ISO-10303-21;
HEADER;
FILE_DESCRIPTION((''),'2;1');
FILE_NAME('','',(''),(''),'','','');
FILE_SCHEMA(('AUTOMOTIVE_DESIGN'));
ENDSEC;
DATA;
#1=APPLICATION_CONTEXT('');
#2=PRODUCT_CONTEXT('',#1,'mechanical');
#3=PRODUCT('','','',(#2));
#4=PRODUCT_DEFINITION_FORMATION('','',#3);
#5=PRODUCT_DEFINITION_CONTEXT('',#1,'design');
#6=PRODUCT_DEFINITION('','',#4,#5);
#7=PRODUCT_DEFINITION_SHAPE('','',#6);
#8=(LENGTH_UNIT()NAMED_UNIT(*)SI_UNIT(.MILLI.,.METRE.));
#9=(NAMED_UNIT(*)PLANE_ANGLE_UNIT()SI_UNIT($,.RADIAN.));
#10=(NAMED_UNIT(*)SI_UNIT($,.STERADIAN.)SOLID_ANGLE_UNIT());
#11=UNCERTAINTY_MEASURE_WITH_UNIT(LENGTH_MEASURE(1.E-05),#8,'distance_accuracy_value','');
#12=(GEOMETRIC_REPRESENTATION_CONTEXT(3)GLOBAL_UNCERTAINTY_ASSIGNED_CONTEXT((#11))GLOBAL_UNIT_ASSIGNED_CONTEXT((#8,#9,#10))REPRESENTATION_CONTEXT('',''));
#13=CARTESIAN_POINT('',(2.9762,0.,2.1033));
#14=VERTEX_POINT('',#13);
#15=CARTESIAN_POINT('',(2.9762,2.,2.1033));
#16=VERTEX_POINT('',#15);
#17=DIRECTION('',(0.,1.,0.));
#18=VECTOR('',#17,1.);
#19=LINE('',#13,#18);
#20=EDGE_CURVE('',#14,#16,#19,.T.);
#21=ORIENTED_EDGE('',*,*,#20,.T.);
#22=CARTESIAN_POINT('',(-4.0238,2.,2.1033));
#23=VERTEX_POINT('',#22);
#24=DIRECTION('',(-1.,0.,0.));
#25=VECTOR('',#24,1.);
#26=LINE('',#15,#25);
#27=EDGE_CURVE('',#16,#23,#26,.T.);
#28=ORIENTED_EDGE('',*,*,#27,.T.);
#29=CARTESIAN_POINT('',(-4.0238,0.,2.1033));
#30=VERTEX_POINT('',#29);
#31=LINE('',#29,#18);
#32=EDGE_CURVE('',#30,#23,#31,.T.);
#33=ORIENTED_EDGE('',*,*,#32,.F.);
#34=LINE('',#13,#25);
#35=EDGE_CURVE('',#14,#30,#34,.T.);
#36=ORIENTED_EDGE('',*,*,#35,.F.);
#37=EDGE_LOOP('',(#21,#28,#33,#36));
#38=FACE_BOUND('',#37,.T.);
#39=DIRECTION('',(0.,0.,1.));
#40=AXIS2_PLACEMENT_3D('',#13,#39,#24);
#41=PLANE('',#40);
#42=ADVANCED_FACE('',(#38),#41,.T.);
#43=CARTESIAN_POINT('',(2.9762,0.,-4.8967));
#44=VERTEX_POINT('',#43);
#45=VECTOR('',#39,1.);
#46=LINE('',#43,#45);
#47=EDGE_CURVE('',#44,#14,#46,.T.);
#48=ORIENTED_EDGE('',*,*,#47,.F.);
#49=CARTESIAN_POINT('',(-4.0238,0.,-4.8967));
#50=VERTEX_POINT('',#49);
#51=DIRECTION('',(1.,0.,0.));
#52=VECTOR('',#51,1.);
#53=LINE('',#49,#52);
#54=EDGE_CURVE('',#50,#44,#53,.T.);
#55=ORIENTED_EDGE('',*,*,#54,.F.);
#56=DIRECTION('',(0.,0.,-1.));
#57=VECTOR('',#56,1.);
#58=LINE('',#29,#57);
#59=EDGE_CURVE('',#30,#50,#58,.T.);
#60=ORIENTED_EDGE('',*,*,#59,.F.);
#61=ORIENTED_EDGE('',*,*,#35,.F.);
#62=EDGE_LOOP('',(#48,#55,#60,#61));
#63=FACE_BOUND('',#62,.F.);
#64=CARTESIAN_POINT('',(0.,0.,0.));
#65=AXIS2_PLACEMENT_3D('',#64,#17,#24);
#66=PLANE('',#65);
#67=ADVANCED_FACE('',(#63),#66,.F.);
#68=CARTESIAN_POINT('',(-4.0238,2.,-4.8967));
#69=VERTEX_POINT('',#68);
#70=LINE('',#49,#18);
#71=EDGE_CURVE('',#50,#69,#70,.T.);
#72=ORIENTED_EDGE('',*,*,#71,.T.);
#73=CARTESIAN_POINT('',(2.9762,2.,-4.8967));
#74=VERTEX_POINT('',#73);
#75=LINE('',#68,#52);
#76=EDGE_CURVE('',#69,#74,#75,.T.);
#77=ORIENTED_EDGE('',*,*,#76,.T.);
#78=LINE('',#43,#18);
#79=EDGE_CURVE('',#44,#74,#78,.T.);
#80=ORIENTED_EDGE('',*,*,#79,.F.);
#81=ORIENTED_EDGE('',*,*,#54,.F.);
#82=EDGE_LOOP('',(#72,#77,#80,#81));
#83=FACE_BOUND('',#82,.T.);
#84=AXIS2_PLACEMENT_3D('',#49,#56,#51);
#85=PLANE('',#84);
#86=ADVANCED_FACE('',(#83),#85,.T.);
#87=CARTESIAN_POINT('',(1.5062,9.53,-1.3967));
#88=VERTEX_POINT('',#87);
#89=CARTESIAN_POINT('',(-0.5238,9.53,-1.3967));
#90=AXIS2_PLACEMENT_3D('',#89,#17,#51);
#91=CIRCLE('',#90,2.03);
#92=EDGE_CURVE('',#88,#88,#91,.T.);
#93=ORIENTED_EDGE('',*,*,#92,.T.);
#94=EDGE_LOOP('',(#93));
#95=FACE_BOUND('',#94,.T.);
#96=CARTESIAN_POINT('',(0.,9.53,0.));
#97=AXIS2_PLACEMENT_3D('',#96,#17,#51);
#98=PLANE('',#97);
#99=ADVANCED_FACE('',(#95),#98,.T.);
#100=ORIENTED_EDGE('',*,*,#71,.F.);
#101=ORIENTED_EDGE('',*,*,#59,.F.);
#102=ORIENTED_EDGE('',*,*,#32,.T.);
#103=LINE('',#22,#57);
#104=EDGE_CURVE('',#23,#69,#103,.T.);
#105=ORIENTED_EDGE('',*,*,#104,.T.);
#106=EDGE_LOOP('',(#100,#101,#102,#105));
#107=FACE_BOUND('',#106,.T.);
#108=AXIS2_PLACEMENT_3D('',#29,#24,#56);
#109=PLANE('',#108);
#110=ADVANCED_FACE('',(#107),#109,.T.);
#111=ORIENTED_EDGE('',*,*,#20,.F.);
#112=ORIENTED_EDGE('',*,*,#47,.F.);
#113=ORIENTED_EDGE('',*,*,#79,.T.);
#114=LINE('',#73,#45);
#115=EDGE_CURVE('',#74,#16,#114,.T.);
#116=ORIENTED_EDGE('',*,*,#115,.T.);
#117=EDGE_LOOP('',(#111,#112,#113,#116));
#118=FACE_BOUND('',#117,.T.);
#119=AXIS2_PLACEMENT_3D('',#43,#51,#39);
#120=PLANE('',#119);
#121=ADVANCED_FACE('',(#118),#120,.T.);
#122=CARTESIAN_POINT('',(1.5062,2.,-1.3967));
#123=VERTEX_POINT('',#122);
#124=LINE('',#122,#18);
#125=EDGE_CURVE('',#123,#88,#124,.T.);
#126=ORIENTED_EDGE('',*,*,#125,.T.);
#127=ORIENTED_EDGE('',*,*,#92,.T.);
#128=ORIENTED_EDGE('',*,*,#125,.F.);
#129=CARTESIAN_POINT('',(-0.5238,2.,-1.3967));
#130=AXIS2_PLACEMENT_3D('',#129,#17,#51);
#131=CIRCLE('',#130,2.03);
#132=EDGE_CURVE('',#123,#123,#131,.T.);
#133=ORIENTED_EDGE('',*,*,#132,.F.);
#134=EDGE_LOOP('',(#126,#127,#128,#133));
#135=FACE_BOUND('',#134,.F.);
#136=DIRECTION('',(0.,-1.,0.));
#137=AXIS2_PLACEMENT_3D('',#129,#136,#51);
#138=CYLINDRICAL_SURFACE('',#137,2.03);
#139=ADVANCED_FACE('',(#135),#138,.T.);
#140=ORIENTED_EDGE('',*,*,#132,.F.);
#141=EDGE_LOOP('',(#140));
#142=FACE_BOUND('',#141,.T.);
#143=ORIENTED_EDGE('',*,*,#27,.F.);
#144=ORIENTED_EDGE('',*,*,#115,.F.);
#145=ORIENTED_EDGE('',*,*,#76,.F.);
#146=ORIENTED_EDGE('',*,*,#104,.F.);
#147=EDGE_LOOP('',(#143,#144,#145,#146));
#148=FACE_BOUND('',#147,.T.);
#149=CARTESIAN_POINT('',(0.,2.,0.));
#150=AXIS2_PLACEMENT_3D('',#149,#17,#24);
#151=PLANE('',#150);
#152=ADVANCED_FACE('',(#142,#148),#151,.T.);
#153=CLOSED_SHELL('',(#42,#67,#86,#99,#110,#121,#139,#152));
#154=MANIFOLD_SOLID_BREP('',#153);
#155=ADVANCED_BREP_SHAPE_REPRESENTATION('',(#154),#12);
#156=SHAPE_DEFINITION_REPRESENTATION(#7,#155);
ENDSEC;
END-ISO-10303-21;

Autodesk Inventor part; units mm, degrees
ref_plane "YZ Plane" through (0, 0, 0) normal (1, 0, 0) x (0, 1, 0)
ref_plane "XZ Plane" through (0, 0, 0) normal (0, 1, 0) x (-1, 0, 0)
ref_plane "XY Plane" through (0, 0, 0) normal (0, 0, 1) x (1, 0, 0)
sketch "Sketch1" plane through (0, 0, 0) normal (0, 1, 0) x (-1, 0, 0)
  line L0 (-2.9762, 2.1033) -> (4.0238, 2.1033)
  line L1 (4.0238, 2.1033) -> (4.0238, -4.8967)
  line L2 (4.0238, -4.8967) -> (-2.9762, -4.8967)
  line L3 (-2.9762, -4.8967) -> (-2.9762, 2.1033)
  point P0 (0, 0)
  dimension "d0" = 7
  dimension "d1" = 7
extrude "Extrusion1" add sketch "Sketch1" along normal blind 2
sketch "Sketch2" plane through (0, 2, 0) normal (0, 1, 0) x (1, 0, 0)
  circle A0 centre (-0.5238, 1.3967) radius 2.03
  point P0 (0, 0)
  dimension "d4" = 4.06
extrude "Extrusion2" add sketch "Sketch2" along normal blind 7.53
properties part number "SMA_Up"
